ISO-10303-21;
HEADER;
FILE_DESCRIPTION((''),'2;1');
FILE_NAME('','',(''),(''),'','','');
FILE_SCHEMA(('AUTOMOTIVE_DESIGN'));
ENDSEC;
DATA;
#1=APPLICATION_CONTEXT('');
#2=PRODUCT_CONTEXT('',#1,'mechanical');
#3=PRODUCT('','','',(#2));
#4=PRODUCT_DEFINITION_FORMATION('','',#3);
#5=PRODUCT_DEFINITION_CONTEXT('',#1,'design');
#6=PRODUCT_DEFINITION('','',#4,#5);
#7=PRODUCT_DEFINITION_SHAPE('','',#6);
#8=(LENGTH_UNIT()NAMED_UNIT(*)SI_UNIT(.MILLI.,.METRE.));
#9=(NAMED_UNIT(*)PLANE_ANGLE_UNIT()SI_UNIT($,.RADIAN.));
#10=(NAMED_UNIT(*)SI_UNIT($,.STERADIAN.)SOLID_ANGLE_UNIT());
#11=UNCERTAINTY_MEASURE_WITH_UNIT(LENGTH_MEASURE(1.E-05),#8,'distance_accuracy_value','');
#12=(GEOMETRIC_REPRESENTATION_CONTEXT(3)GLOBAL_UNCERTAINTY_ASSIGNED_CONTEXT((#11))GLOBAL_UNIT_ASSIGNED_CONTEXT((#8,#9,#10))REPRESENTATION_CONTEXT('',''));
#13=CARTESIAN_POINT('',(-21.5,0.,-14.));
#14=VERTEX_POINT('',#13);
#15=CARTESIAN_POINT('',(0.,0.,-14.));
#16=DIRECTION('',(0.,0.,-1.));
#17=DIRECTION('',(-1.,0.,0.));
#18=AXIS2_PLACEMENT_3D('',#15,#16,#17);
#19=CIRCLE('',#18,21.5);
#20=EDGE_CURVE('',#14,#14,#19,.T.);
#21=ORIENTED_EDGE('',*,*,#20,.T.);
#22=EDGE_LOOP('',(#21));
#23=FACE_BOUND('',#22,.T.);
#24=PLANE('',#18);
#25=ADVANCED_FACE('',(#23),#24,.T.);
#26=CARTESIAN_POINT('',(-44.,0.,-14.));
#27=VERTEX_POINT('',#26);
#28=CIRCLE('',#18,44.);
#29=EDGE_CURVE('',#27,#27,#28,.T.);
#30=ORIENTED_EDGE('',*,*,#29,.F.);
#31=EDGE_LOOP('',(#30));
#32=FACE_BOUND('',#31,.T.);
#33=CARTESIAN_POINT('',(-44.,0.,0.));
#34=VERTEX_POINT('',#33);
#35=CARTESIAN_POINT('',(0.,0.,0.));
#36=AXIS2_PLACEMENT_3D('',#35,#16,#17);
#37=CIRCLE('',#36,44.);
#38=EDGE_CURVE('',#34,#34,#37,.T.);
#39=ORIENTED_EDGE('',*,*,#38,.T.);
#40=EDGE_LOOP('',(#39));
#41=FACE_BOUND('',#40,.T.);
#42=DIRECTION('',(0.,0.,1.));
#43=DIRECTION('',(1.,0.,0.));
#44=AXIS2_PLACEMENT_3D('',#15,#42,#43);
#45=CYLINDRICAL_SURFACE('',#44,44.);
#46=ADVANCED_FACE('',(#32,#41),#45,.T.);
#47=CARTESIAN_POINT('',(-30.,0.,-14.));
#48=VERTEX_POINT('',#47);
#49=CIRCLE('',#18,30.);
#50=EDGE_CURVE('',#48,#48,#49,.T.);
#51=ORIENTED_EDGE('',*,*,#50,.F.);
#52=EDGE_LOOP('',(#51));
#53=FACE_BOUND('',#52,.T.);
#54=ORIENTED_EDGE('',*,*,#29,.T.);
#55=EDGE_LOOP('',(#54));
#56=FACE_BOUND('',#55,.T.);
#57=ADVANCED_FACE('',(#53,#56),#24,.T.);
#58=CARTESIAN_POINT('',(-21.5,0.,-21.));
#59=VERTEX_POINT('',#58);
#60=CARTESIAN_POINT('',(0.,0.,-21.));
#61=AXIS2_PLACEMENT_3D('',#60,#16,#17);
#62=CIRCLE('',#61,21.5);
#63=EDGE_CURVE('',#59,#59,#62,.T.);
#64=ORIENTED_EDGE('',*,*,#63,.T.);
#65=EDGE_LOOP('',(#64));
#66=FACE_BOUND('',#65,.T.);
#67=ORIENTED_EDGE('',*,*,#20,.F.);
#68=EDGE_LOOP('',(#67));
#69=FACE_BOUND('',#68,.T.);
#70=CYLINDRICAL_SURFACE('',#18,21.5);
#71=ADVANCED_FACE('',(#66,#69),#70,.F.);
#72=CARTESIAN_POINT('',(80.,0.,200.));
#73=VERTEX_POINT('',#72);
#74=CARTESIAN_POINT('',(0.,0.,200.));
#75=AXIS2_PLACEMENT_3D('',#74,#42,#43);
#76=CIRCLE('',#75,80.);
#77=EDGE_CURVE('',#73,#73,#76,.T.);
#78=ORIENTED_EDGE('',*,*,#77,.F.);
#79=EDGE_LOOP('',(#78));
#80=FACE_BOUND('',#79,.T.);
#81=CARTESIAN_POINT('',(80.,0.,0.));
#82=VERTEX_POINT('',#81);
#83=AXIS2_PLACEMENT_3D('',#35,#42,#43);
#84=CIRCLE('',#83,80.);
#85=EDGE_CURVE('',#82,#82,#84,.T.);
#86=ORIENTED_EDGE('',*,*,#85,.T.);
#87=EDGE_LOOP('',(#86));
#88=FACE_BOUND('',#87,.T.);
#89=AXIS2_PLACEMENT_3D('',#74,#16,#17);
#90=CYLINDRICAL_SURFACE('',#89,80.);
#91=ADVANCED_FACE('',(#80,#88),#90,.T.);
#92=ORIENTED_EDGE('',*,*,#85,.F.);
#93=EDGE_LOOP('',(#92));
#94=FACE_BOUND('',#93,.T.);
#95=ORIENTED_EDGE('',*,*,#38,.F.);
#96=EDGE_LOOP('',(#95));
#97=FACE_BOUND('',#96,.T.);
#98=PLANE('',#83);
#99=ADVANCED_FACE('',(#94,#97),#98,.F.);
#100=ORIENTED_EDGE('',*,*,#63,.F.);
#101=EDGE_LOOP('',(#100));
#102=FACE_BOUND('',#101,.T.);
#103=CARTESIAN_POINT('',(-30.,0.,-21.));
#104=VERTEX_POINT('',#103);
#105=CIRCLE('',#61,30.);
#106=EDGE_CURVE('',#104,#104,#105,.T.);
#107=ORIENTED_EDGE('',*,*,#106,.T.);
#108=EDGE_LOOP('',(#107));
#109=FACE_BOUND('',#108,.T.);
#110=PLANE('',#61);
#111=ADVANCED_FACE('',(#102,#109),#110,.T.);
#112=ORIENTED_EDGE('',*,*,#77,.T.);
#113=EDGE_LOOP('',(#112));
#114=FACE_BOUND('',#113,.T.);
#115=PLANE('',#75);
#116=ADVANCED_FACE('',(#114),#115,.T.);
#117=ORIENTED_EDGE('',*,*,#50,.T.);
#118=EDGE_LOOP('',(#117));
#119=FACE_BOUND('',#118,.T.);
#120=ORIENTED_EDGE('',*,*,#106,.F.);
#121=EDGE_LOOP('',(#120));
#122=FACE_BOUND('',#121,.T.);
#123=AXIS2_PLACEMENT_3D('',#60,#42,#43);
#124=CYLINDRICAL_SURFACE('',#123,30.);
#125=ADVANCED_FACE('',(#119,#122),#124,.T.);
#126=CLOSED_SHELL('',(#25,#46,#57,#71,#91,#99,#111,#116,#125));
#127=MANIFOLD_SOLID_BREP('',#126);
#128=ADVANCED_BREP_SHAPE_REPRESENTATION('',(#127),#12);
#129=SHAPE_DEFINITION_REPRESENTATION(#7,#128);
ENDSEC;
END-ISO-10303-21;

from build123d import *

# Parameters (mm, degrees)
SKETCH1_R           = 80
BOSS_EXTRUDE1_DEPTH = 200
SKETCH2_R           = 44
BOSS_EXTRUDE2_DEPTH = 14
SKETCH3_R           = 30
BOSS_EXTRUDE3_DEPTH = 7
SKETCH4_R           = 21.5
CUT_EXTRUDE1_DEPTH  = 7


with BuildPart() as part:
    # Sketch1 → Boss-Extrude1 (new body)
    with BuildSketch(Plane.XY):
        Circle(SKETCH1_R)
    extrude(amount=BOSS_EXTRUDE1_DEPTH)

    # Sketch2 → Boss-Extrude2 (add)
    with BuildSketch(Plane(origin=(0, 0, 0), x_dir=(-1, 0, 0), z_dir=(0, 0, -1))):
        Circle(SKETCH2_R)
    extrude(amount=BOSS_EXTRUDE2_DEPTH)

    # Sketch3 → Boss-Extrude3 (add)
    with BuildSketch(Plane(origin=(0, 0, -14), x_dir=(-1, 0, 0), z_dir=(0, 0, -1))):
        Circle(SKETCH3_R)
    extrude(amount=BOSS_EXTRUDE3_DEPTH)

    # Sketch4 → Cut-Extrude1 (cut)
    with BuildSketch(Plane(origin=(0, 0, -21), x_dir=(-1, 0, 0), z_dir=(0, 0, -1))):
        Circle(SKETCH4_R)
    extrude(amount=-CUT_EXTRUDE1_DEPTH, mode=Mode.SUBTRACT)


solid = part.part
